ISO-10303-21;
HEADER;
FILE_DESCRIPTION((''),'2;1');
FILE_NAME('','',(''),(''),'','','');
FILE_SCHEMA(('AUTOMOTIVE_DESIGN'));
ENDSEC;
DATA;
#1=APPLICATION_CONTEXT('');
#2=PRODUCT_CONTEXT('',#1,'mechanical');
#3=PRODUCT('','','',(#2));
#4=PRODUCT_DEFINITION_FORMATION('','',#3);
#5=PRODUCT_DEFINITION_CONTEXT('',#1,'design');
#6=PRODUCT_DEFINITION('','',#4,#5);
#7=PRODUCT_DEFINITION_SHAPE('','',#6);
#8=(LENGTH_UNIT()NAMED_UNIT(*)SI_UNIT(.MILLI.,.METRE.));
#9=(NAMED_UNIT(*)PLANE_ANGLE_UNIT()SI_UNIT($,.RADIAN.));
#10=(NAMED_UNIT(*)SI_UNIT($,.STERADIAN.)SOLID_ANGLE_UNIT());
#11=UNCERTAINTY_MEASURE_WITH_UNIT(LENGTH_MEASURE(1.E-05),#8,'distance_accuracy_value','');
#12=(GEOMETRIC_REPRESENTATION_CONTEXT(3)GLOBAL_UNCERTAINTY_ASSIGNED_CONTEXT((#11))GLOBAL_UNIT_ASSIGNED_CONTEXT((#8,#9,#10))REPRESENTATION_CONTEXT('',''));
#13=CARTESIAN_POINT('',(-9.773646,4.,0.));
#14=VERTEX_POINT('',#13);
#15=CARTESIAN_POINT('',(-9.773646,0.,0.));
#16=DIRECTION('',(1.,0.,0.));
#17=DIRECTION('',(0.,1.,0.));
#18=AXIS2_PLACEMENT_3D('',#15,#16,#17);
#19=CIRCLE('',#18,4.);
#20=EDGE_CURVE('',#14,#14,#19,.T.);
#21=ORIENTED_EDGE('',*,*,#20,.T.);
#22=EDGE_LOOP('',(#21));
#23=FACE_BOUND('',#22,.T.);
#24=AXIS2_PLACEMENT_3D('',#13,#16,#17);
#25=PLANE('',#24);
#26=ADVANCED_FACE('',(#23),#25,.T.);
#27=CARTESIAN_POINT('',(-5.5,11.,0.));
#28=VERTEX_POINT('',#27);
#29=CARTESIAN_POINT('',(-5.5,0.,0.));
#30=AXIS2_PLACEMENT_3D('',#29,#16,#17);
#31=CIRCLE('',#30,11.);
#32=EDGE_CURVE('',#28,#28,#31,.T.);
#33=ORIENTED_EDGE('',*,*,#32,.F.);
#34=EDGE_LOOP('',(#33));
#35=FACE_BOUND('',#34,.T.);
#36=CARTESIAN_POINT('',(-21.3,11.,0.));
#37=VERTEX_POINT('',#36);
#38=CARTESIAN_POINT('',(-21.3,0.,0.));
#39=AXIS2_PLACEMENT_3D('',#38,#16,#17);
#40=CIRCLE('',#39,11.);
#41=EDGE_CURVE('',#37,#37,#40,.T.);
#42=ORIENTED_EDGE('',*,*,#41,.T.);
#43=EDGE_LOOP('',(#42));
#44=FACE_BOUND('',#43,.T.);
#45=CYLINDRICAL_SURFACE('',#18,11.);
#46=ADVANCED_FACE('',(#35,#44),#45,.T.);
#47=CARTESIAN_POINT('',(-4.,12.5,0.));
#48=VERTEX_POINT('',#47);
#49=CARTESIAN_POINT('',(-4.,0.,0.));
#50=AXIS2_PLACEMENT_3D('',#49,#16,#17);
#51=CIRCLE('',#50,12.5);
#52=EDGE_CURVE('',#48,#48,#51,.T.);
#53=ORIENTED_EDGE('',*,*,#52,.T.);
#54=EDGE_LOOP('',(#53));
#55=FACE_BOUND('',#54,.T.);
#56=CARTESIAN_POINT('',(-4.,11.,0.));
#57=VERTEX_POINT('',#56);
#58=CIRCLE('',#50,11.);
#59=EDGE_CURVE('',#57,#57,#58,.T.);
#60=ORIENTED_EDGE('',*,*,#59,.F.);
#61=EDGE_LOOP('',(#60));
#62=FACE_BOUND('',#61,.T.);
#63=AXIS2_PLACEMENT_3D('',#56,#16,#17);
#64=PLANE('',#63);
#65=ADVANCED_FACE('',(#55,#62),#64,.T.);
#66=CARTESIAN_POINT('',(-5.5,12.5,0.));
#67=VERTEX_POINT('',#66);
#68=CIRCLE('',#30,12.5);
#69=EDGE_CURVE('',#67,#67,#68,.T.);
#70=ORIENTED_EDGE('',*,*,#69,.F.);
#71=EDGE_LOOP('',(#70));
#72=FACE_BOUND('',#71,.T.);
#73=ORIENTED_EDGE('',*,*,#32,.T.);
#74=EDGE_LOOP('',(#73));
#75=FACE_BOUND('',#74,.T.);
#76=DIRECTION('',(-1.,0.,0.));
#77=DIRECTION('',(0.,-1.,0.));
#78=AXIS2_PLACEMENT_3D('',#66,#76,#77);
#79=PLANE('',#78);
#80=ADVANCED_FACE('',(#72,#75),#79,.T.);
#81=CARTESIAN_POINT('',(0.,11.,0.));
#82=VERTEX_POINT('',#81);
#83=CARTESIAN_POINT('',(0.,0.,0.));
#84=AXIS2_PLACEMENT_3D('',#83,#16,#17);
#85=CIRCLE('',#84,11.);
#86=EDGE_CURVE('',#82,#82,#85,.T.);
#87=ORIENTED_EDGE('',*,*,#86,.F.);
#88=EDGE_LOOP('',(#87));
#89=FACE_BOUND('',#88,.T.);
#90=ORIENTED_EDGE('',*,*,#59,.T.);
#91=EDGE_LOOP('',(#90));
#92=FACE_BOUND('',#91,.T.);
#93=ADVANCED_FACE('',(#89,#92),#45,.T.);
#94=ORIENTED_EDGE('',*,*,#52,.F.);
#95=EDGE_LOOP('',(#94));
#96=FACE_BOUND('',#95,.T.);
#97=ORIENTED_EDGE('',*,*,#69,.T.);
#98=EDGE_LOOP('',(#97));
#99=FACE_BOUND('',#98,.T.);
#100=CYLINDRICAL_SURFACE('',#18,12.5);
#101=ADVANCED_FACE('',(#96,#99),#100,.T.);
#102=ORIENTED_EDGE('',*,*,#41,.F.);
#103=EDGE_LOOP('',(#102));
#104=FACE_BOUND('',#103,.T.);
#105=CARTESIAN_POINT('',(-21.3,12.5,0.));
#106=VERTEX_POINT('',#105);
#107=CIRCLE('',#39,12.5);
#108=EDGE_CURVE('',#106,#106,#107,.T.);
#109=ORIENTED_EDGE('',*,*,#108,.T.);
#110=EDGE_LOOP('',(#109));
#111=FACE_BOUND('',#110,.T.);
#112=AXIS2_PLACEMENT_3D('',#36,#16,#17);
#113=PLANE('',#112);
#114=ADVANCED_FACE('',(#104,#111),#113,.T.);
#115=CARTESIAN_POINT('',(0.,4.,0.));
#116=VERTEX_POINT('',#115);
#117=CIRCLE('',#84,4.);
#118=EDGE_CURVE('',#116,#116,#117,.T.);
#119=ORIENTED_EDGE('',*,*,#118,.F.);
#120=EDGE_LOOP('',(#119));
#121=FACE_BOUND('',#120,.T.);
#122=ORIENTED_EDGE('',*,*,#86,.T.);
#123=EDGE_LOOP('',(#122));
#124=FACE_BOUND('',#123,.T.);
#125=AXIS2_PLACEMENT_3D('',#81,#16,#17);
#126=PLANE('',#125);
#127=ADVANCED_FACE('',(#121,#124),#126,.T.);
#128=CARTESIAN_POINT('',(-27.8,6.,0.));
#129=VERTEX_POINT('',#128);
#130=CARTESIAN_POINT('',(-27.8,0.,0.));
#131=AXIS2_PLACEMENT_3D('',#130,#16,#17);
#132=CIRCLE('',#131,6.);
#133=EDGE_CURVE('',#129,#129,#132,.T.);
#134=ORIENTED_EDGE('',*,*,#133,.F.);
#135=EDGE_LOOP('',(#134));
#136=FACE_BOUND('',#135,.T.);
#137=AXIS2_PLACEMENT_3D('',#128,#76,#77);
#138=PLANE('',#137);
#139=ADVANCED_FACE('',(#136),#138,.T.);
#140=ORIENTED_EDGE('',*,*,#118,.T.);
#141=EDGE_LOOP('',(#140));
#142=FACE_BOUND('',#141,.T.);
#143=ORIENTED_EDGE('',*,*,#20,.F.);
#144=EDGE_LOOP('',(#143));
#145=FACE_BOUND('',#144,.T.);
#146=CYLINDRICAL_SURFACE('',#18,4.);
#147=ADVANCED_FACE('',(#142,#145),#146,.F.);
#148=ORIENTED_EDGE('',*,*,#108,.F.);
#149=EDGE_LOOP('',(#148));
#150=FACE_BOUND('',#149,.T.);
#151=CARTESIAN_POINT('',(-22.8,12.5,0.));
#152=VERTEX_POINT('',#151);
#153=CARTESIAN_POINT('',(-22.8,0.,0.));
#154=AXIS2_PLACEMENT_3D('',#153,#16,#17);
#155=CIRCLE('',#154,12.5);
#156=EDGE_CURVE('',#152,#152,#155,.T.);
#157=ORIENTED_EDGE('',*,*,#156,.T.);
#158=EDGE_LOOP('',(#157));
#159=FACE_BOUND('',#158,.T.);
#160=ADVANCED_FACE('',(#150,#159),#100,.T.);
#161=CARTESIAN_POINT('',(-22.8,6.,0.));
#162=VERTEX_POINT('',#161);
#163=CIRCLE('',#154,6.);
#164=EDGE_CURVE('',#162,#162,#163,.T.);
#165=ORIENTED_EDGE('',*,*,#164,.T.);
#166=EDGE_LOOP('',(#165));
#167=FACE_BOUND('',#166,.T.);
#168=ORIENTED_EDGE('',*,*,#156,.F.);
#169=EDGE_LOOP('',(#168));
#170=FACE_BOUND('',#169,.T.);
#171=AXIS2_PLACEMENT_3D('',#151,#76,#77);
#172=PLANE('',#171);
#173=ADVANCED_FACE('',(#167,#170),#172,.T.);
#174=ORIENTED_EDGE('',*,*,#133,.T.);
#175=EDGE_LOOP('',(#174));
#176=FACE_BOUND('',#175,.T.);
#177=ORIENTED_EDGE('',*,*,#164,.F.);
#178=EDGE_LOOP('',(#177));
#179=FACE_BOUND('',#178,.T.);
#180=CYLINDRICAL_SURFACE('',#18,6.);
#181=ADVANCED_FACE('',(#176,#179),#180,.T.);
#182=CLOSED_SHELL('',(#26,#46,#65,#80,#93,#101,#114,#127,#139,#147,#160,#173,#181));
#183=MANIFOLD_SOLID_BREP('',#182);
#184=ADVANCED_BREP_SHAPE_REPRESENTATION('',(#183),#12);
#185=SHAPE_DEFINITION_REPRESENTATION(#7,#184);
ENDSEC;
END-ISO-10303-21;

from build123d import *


with BuildPart() as part:
    # Sketch1 → Revolve1 (revolve)
    with BuildSketch(Plane.XY):
        Polygon((0, 11), (-4, 11), (-4, 12.5), (-5.5, 12.5), (-5.5, 11), (-21.3, 11), (-21.3, 12.5), (-22.8, 12.5), (-22.8, 6), (-27.8, 6), (-27.8, 0), (-9.773646073, 0), (-9.773646073, 4), (0, 4), align=None)
    revolve(axis=Axis((-9.773646073, 0, 0), (-1, 0, 0)))


solid = part.part
